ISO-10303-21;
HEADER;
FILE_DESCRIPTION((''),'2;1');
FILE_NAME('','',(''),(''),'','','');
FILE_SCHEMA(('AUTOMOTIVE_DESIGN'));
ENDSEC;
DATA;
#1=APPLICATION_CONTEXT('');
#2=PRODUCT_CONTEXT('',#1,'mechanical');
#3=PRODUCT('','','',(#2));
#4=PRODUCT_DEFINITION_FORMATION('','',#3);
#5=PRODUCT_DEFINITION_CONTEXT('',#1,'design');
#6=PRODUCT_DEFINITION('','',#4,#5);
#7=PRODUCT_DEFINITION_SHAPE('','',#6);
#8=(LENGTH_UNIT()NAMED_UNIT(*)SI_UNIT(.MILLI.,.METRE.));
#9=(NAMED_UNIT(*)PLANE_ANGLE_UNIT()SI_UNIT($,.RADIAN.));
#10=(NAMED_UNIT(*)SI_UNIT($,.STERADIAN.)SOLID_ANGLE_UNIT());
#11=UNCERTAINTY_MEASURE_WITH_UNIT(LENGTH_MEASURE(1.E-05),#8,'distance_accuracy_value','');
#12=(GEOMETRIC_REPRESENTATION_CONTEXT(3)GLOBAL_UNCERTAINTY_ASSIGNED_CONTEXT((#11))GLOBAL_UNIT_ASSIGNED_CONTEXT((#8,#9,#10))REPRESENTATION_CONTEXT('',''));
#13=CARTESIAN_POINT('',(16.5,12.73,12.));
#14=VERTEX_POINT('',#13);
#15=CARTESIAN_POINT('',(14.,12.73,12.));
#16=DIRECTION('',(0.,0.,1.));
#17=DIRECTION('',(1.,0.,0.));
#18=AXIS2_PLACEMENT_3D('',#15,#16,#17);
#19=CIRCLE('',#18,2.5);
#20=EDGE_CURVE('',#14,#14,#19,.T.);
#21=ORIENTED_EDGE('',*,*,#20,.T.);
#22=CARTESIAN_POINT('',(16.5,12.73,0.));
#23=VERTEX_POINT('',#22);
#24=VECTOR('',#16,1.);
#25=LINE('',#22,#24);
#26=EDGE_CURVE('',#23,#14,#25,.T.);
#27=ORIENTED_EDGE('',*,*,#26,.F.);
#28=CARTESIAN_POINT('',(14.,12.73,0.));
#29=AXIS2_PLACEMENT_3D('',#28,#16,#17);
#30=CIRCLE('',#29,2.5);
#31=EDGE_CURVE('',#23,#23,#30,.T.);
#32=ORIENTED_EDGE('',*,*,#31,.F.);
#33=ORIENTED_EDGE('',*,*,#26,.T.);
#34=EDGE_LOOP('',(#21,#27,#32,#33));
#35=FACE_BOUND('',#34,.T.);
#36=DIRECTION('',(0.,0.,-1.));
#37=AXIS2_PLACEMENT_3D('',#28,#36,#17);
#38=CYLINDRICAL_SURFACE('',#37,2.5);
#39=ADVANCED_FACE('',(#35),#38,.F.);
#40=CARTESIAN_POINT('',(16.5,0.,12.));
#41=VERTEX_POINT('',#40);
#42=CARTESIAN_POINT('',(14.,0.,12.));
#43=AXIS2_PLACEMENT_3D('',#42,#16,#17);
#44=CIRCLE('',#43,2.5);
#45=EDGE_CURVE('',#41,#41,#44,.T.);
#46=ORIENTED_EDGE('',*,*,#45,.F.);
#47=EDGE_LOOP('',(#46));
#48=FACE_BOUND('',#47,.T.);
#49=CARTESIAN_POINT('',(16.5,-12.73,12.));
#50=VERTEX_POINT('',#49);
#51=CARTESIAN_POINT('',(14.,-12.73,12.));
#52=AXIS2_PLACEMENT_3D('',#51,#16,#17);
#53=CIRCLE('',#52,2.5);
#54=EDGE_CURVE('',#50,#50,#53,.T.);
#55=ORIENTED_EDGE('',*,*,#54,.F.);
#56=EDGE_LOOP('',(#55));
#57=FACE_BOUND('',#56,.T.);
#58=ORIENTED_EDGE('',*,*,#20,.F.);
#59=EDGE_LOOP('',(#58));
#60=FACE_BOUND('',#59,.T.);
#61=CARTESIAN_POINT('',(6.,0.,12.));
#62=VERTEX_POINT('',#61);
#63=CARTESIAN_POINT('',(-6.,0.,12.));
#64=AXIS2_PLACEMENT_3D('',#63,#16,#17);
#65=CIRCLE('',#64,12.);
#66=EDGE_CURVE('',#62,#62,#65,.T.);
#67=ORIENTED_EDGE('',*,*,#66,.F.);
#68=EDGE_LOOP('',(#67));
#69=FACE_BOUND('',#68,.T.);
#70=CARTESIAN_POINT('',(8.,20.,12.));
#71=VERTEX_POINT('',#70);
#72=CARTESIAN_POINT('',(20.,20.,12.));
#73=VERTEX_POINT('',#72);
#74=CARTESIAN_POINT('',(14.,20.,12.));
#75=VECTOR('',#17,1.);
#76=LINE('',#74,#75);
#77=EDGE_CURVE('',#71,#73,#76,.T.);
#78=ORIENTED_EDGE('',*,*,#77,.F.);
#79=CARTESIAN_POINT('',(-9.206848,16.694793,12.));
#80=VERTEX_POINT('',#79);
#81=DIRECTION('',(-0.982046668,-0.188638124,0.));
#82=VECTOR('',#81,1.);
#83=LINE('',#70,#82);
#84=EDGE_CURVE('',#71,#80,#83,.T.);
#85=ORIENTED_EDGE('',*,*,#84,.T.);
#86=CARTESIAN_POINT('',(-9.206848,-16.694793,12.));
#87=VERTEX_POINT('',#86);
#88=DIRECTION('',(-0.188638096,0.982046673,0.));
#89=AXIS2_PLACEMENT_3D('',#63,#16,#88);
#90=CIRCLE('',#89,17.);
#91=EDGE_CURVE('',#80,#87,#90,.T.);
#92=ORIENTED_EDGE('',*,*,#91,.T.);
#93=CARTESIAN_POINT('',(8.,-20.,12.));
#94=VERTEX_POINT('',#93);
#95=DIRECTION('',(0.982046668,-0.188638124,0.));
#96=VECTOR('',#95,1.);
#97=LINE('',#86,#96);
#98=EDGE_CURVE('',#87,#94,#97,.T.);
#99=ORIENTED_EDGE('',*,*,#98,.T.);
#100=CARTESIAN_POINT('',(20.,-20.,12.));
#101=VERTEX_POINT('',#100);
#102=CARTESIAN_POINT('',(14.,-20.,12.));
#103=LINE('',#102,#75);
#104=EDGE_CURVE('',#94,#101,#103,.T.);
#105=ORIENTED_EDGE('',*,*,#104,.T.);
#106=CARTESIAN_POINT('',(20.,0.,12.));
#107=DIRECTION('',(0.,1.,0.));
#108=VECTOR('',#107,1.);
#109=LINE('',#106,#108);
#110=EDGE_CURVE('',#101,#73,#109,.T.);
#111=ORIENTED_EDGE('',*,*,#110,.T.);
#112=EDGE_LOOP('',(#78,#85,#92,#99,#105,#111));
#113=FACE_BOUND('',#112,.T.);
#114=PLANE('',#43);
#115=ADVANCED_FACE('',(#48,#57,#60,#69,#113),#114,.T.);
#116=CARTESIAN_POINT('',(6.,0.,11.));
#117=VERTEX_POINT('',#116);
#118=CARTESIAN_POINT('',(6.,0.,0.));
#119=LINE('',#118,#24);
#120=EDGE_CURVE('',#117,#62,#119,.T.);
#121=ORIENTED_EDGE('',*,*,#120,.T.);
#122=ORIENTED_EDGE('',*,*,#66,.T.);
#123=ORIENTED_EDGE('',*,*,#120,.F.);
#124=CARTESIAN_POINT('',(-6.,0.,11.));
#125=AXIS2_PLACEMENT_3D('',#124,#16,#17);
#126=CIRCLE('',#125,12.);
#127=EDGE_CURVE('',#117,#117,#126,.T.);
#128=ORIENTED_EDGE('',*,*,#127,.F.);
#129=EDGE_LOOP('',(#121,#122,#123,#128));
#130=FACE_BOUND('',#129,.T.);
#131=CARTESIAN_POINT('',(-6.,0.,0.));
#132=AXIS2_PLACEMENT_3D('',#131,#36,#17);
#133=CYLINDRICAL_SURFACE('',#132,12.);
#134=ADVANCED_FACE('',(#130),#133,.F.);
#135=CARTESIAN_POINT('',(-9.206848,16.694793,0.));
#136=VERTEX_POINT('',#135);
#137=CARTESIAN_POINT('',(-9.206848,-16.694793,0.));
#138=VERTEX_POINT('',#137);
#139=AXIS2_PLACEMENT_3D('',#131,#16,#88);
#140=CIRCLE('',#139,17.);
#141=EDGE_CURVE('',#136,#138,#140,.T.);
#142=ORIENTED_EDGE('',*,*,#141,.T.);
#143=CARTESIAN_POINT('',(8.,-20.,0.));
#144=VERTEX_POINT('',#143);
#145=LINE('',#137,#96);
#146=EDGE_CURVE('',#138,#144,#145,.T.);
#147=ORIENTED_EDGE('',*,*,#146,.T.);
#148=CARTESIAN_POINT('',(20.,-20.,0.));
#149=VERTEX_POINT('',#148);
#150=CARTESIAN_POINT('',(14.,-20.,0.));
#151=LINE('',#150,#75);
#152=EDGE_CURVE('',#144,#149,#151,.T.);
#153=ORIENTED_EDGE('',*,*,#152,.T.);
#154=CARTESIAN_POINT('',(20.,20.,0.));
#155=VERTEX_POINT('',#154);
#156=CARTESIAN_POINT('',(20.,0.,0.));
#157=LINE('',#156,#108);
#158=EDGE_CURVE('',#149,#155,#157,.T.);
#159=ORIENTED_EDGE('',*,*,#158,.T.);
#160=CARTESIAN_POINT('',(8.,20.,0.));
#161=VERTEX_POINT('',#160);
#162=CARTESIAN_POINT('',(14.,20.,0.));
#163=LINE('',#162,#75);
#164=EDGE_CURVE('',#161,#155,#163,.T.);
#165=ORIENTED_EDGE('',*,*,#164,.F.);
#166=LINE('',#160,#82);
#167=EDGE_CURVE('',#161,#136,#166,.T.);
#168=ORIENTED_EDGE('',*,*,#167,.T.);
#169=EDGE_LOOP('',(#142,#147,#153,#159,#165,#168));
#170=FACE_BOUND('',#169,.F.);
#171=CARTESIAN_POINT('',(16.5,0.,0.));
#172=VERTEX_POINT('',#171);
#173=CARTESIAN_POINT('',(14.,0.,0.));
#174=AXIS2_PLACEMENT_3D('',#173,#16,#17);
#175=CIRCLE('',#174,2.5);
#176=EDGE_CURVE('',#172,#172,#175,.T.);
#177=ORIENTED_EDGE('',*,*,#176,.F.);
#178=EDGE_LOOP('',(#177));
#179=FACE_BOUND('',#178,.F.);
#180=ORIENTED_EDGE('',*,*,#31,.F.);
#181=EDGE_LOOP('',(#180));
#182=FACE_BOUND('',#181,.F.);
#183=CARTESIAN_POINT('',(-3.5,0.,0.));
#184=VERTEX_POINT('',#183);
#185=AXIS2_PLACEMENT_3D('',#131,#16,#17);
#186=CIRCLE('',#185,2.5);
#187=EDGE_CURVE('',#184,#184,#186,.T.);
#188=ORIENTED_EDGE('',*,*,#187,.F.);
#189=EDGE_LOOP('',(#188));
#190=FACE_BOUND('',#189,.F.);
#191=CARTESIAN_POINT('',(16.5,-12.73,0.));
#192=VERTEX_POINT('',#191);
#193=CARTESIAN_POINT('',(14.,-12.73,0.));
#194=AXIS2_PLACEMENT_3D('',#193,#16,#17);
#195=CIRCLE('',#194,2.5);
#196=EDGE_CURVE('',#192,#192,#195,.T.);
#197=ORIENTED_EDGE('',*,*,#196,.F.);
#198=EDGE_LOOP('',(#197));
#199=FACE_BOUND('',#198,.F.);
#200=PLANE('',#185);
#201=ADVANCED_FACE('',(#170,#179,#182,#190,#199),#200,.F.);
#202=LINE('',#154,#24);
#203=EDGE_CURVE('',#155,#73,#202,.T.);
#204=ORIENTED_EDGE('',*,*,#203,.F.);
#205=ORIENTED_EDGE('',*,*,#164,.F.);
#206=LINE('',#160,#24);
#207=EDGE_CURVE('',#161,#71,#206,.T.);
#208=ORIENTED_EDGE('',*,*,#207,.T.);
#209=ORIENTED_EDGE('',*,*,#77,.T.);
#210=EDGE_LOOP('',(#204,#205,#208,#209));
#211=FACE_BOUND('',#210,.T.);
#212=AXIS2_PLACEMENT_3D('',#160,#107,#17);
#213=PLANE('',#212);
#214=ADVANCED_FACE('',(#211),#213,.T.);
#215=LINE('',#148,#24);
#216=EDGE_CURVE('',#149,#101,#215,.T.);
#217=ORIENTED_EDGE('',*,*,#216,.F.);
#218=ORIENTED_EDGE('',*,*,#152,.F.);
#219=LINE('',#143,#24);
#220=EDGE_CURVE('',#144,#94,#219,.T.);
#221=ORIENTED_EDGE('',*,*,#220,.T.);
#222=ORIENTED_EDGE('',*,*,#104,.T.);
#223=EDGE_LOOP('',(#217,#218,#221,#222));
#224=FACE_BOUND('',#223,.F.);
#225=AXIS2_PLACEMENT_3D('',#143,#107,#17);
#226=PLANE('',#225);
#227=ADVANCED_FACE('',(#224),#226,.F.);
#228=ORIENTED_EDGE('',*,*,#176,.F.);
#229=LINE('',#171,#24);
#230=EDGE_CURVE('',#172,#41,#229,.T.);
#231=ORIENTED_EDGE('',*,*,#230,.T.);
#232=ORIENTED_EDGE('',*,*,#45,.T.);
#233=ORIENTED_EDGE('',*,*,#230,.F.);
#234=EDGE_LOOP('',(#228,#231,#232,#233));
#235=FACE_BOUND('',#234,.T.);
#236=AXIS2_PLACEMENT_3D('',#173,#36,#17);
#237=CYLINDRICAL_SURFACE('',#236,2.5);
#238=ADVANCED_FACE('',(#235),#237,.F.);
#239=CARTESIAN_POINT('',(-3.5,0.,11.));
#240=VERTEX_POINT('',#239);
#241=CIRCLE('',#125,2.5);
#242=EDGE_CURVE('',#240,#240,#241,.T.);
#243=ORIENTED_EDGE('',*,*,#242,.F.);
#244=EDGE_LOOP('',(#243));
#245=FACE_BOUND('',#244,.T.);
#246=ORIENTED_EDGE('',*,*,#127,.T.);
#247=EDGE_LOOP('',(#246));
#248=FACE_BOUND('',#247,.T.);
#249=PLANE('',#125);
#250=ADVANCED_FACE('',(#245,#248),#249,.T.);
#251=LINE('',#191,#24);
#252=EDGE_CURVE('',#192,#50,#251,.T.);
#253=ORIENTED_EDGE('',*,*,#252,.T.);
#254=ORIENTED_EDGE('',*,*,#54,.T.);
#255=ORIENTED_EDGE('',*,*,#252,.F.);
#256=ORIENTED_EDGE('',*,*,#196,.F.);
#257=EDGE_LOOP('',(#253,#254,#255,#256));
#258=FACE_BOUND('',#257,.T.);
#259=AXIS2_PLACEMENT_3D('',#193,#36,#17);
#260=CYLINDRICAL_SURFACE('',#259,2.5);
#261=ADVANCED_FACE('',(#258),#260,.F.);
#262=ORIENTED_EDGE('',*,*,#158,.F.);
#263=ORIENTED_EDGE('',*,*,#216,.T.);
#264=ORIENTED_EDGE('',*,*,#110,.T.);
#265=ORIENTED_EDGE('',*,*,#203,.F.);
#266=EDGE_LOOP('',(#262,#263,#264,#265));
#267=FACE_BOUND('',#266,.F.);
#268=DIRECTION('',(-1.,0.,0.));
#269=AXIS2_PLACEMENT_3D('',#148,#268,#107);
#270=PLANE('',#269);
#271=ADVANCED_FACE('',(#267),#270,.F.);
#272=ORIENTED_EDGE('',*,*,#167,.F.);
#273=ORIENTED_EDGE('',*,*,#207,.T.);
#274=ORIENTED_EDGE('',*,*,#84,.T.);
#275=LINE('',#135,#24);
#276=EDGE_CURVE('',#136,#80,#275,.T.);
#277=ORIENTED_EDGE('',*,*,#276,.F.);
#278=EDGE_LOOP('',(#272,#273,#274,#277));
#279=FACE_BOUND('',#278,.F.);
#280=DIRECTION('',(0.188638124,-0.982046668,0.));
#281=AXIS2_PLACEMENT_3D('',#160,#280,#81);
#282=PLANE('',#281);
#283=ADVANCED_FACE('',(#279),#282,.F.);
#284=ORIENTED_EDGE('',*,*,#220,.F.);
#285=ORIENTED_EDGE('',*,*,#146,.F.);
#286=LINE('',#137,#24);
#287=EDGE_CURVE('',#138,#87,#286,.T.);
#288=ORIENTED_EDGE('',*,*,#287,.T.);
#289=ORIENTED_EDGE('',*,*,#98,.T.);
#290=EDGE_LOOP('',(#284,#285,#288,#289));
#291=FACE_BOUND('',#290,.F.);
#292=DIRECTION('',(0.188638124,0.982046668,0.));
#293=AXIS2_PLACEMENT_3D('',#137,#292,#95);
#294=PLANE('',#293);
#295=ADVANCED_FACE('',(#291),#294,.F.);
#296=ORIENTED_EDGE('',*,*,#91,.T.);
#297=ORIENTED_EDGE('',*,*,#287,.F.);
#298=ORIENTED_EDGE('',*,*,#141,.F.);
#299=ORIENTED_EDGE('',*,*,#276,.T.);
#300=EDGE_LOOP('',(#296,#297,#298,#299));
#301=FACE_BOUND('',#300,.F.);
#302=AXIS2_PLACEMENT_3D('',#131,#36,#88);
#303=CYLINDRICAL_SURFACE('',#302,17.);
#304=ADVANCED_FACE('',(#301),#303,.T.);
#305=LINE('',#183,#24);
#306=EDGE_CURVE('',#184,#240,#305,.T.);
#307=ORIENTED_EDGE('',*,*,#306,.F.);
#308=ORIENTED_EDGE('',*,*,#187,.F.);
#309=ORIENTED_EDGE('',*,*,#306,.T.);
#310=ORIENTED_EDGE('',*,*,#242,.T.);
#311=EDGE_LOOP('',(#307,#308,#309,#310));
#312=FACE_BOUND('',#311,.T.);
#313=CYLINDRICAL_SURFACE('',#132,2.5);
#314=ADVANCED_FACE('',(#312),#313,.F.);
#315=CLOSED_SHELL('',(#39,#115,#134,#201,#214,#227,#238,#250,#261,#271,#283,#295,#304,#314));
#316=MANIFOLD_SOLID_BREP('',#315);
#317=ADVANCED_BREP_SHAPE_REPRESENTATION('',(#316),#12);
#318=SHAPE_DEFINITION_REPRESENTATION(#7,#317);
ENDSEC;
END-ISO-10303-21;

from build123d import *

# Parameters (mm, degrees)
F0_W     = 12
F0_H     = 40
F0_R     = 2.5
F0_R_2   = 12
F1_DEPTH = 12
F2_DEPTH = 11


with BuildPart() as f1:
    # F0 (on Top) → F1 (new body)
    with BuildSketch(Plane.XY):
        with Locations((14, 0)):
            Rectangle(F0_W, F0_H)
        with Locations((14, -12.73)):
            Circle(F0_R, mode=Mode.SUBTRACT)
        with Locations((14, 0)):
            Circle(F0_R, mode=Mode.SUBTRACT)
        with Locations((14, 12.73)):
            Circle(F0_R, mode=Mode.SUBTRACT)
        with BuildLine():
            Line((-9.206848, -16.694793), (8, -20))
            Line((8, -20), (8, 20))
            Line((8, 20), (-9.206848, 16.694793))
            ThreePointArc((-9.206848, 16.694793), (-23, 0), (-9.206848, -16.694793))
        make_face()
        with Locations((-6, 0)):
            Circle(F0_R_2, mode=Mode.SUBTRACT)
    extrude(amount=F1_DEPTH)

    # F0 (on Top) → F2 (join)
    with BuildSketch(Plane.XY):
        with Locations((-6, 0)):
            Circle(F0_R_2)
        with Locations((-6, 0)):
            Circle(F0_R, mode=Mode.SUBTRACT)
    extrude(amount=F2_DEPTH)


solid = f1.part
